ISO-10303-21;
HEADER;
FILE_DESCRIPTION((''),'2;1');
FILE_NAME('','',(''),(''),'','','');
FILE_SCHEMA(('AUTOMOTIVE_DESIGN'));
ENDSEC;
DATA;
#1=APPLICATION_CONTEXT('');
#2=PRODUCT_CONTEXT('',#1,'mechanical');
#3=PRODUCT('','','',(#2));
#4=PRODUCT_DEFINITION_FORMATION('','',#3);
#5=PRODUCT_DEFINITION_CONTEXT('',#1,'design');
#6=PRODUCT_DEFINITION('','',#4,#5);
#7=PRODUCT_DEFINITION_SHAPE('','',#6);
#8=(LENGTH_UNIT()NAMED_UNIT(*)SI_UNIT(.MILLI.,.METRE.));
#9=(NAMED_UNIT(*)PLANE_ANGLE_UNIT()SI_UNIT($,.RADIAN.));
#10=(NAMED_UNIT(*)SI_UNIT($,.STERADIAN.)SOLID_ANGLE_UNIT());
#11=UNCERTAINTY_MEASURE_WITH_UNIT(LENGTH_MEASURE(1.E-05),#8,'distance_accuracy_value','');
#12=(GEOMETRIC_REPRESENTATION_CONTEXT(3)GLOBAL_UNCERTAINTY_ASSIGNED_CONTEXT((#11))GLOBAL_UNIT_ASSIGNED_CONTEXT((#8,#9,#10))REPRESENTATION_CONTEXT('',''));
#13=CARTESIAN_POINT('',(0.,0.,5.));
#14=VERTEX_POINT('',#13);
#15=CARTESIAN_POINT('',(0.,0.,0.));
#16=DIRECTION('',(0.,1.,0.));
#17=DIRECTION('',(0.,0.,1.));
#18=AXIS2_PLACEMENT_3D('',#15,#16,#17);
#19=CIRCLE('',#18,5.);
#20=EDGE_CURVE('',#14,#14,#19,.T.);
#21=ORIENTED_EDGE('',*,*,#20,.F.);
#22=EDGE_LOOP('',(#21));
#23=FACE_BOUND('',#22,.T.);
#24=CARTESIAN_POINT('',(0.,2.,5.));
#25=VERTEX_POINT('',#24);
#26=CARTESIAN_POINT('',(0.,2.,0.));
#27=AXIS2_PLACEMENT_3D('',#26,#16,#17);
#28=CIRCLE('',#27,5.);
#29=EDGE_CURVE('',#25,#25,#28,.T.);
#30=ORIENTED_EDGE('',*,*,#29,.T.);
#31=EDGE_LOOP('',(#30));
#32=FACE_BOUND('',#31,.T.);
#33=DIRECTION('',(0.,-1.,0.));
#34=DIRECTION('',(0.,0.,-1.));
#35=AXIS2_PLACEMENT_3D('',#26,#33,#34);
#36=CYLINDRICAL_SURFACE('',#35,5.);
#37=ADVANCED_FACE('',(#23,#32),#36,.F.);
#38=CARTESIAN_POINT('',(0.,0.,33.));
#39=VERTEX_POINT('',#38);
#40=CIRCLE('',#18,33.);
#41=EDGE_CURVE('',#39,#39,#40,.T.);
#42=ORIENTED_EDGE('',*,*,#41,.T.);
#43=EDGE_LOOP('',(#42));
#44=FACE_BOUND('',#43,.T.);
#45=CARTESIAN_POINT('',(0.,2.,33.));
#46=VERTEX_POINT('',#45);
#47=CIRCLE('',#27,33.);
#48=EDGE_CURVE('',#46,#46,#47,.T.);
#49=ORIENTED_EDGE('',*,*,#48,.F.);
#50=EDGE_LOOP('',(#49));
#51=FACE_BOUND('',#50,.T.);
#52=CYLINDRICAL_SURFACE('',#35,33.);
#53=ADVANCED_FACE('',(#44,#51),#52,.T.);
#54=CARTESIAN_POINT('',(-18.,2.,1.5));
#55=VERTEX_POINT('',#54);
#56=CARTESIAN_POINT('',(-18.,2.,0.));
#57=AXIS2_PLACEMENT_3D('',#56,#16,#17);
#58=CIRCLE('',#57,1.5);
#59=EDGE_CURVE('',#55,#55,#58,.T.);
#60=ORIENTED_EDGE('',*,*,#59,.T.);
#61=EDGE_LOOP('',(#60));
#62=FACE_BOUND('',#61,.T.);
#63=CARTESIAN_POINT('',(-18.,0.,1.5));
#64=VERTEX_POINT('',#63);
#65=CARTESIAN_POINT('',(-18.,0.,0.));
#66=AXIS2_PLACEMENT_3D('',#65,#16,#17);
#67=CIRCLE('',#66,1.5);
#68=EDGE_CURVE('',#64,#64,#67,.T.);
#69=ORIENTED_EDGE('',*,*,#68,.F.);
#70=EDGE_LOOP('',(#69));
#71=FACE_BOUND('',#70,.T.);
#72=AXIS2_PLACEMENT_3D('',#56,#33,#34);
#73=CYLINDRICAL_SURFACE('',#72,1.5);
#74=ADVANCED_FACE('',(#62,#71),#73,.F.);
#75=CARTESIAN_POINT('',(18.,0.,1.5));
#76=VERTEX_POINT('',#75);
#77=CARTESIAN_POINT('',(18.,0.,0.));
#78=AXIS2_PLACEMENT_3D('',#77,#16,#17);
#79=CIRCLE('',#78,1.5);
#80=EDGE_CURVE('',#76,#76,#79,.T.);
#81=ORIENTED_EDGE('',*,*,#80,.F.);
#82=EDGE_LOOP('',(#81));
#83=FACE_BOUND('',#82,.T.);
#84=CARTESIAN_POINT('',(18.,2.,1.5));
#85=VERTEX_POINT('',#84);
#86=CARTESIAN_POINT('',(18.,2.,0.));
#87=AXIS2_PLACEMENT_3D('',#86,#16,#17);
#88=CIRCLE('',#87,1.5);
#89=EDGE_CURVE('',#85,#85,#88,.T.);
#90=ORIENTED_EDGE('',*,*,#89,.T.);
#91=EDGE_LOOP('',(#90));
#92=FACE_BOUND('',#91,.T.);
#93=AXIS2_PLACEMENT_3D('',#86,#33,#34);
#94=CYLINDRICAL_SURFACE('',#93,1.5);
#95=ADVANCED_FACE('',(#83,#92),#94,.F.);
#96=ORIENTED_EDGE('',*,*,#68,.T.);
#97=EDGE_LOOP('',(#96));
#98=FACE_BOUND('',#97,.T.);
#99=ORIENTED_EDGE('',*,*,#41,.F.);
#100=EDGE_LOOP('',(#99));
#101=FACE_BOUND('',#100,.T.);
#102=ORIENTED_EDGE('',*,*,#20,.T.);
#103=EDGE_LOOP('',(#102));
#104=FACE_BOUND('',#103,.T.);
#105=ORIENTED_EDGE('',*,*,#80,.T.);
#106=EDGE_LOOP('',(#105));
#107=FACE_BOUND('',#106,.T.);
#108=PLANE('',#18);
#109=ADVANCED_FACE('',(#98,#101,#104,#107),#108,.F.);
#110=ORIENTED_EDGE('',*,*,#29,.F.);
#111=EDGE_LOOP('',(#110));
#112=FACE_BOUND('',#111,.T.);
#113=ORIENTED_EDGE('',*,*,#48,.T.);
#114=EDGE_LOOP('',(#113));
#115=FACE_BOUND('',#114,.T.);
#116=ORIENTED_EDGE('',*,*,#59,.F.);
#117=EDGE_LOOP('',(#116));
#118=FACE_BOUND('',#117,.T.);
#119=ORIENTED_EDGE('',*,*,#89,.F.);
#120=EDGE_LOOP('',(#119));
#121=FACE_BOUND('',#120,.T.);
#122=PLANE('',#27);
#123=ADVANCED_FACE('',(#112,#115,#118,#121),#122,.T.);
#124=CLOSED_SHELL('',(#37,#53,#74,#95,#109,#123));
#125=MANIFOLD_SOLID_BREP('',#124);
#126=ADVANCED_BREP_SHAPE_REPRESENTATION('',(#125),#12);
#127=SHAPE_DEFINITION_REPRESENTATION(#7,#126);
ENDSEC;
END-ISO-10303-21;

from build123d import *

# Parameters (mm, degrees)
SKETCH1_R           = 33
SKETCH1_R_2         = 5
SKETCH1_R_3         = 1.5
BOSS_EXTRUDE2_DEPTH = 2


with BuildPart() as part:
    # Sketch1 → Boss-Extrude2 (new body)
    with BuildSketch(Plane(origin=(0, 0, 0), x_dir=(1, 0, 0), z_dir=(0, 1, 0))):
        with Locations(Location((0, 0, 0), (0, 0, 270))):
            Circle(SKETCH1_R)
        with Locations(Location((0, 0, 0), (0, 0, 270))):
            Circle(SKETCH1_R_2, mode=Mode.SUBTRACT)
        with Locations(Location((18, 0, 0), (0, 0, 270))):
            Circle(SKETCH1_R_3, mode=Mode.SUBTRACT)
        with Locations(Location((-18, 0, 0), (0, 0, 270))):
            Circle(SKETCH1_R_3, mode=Mode.SUBTRACT)
    extrude(amount=BOSS_EXTRUDE2_DEPTH)


solid = part.part
